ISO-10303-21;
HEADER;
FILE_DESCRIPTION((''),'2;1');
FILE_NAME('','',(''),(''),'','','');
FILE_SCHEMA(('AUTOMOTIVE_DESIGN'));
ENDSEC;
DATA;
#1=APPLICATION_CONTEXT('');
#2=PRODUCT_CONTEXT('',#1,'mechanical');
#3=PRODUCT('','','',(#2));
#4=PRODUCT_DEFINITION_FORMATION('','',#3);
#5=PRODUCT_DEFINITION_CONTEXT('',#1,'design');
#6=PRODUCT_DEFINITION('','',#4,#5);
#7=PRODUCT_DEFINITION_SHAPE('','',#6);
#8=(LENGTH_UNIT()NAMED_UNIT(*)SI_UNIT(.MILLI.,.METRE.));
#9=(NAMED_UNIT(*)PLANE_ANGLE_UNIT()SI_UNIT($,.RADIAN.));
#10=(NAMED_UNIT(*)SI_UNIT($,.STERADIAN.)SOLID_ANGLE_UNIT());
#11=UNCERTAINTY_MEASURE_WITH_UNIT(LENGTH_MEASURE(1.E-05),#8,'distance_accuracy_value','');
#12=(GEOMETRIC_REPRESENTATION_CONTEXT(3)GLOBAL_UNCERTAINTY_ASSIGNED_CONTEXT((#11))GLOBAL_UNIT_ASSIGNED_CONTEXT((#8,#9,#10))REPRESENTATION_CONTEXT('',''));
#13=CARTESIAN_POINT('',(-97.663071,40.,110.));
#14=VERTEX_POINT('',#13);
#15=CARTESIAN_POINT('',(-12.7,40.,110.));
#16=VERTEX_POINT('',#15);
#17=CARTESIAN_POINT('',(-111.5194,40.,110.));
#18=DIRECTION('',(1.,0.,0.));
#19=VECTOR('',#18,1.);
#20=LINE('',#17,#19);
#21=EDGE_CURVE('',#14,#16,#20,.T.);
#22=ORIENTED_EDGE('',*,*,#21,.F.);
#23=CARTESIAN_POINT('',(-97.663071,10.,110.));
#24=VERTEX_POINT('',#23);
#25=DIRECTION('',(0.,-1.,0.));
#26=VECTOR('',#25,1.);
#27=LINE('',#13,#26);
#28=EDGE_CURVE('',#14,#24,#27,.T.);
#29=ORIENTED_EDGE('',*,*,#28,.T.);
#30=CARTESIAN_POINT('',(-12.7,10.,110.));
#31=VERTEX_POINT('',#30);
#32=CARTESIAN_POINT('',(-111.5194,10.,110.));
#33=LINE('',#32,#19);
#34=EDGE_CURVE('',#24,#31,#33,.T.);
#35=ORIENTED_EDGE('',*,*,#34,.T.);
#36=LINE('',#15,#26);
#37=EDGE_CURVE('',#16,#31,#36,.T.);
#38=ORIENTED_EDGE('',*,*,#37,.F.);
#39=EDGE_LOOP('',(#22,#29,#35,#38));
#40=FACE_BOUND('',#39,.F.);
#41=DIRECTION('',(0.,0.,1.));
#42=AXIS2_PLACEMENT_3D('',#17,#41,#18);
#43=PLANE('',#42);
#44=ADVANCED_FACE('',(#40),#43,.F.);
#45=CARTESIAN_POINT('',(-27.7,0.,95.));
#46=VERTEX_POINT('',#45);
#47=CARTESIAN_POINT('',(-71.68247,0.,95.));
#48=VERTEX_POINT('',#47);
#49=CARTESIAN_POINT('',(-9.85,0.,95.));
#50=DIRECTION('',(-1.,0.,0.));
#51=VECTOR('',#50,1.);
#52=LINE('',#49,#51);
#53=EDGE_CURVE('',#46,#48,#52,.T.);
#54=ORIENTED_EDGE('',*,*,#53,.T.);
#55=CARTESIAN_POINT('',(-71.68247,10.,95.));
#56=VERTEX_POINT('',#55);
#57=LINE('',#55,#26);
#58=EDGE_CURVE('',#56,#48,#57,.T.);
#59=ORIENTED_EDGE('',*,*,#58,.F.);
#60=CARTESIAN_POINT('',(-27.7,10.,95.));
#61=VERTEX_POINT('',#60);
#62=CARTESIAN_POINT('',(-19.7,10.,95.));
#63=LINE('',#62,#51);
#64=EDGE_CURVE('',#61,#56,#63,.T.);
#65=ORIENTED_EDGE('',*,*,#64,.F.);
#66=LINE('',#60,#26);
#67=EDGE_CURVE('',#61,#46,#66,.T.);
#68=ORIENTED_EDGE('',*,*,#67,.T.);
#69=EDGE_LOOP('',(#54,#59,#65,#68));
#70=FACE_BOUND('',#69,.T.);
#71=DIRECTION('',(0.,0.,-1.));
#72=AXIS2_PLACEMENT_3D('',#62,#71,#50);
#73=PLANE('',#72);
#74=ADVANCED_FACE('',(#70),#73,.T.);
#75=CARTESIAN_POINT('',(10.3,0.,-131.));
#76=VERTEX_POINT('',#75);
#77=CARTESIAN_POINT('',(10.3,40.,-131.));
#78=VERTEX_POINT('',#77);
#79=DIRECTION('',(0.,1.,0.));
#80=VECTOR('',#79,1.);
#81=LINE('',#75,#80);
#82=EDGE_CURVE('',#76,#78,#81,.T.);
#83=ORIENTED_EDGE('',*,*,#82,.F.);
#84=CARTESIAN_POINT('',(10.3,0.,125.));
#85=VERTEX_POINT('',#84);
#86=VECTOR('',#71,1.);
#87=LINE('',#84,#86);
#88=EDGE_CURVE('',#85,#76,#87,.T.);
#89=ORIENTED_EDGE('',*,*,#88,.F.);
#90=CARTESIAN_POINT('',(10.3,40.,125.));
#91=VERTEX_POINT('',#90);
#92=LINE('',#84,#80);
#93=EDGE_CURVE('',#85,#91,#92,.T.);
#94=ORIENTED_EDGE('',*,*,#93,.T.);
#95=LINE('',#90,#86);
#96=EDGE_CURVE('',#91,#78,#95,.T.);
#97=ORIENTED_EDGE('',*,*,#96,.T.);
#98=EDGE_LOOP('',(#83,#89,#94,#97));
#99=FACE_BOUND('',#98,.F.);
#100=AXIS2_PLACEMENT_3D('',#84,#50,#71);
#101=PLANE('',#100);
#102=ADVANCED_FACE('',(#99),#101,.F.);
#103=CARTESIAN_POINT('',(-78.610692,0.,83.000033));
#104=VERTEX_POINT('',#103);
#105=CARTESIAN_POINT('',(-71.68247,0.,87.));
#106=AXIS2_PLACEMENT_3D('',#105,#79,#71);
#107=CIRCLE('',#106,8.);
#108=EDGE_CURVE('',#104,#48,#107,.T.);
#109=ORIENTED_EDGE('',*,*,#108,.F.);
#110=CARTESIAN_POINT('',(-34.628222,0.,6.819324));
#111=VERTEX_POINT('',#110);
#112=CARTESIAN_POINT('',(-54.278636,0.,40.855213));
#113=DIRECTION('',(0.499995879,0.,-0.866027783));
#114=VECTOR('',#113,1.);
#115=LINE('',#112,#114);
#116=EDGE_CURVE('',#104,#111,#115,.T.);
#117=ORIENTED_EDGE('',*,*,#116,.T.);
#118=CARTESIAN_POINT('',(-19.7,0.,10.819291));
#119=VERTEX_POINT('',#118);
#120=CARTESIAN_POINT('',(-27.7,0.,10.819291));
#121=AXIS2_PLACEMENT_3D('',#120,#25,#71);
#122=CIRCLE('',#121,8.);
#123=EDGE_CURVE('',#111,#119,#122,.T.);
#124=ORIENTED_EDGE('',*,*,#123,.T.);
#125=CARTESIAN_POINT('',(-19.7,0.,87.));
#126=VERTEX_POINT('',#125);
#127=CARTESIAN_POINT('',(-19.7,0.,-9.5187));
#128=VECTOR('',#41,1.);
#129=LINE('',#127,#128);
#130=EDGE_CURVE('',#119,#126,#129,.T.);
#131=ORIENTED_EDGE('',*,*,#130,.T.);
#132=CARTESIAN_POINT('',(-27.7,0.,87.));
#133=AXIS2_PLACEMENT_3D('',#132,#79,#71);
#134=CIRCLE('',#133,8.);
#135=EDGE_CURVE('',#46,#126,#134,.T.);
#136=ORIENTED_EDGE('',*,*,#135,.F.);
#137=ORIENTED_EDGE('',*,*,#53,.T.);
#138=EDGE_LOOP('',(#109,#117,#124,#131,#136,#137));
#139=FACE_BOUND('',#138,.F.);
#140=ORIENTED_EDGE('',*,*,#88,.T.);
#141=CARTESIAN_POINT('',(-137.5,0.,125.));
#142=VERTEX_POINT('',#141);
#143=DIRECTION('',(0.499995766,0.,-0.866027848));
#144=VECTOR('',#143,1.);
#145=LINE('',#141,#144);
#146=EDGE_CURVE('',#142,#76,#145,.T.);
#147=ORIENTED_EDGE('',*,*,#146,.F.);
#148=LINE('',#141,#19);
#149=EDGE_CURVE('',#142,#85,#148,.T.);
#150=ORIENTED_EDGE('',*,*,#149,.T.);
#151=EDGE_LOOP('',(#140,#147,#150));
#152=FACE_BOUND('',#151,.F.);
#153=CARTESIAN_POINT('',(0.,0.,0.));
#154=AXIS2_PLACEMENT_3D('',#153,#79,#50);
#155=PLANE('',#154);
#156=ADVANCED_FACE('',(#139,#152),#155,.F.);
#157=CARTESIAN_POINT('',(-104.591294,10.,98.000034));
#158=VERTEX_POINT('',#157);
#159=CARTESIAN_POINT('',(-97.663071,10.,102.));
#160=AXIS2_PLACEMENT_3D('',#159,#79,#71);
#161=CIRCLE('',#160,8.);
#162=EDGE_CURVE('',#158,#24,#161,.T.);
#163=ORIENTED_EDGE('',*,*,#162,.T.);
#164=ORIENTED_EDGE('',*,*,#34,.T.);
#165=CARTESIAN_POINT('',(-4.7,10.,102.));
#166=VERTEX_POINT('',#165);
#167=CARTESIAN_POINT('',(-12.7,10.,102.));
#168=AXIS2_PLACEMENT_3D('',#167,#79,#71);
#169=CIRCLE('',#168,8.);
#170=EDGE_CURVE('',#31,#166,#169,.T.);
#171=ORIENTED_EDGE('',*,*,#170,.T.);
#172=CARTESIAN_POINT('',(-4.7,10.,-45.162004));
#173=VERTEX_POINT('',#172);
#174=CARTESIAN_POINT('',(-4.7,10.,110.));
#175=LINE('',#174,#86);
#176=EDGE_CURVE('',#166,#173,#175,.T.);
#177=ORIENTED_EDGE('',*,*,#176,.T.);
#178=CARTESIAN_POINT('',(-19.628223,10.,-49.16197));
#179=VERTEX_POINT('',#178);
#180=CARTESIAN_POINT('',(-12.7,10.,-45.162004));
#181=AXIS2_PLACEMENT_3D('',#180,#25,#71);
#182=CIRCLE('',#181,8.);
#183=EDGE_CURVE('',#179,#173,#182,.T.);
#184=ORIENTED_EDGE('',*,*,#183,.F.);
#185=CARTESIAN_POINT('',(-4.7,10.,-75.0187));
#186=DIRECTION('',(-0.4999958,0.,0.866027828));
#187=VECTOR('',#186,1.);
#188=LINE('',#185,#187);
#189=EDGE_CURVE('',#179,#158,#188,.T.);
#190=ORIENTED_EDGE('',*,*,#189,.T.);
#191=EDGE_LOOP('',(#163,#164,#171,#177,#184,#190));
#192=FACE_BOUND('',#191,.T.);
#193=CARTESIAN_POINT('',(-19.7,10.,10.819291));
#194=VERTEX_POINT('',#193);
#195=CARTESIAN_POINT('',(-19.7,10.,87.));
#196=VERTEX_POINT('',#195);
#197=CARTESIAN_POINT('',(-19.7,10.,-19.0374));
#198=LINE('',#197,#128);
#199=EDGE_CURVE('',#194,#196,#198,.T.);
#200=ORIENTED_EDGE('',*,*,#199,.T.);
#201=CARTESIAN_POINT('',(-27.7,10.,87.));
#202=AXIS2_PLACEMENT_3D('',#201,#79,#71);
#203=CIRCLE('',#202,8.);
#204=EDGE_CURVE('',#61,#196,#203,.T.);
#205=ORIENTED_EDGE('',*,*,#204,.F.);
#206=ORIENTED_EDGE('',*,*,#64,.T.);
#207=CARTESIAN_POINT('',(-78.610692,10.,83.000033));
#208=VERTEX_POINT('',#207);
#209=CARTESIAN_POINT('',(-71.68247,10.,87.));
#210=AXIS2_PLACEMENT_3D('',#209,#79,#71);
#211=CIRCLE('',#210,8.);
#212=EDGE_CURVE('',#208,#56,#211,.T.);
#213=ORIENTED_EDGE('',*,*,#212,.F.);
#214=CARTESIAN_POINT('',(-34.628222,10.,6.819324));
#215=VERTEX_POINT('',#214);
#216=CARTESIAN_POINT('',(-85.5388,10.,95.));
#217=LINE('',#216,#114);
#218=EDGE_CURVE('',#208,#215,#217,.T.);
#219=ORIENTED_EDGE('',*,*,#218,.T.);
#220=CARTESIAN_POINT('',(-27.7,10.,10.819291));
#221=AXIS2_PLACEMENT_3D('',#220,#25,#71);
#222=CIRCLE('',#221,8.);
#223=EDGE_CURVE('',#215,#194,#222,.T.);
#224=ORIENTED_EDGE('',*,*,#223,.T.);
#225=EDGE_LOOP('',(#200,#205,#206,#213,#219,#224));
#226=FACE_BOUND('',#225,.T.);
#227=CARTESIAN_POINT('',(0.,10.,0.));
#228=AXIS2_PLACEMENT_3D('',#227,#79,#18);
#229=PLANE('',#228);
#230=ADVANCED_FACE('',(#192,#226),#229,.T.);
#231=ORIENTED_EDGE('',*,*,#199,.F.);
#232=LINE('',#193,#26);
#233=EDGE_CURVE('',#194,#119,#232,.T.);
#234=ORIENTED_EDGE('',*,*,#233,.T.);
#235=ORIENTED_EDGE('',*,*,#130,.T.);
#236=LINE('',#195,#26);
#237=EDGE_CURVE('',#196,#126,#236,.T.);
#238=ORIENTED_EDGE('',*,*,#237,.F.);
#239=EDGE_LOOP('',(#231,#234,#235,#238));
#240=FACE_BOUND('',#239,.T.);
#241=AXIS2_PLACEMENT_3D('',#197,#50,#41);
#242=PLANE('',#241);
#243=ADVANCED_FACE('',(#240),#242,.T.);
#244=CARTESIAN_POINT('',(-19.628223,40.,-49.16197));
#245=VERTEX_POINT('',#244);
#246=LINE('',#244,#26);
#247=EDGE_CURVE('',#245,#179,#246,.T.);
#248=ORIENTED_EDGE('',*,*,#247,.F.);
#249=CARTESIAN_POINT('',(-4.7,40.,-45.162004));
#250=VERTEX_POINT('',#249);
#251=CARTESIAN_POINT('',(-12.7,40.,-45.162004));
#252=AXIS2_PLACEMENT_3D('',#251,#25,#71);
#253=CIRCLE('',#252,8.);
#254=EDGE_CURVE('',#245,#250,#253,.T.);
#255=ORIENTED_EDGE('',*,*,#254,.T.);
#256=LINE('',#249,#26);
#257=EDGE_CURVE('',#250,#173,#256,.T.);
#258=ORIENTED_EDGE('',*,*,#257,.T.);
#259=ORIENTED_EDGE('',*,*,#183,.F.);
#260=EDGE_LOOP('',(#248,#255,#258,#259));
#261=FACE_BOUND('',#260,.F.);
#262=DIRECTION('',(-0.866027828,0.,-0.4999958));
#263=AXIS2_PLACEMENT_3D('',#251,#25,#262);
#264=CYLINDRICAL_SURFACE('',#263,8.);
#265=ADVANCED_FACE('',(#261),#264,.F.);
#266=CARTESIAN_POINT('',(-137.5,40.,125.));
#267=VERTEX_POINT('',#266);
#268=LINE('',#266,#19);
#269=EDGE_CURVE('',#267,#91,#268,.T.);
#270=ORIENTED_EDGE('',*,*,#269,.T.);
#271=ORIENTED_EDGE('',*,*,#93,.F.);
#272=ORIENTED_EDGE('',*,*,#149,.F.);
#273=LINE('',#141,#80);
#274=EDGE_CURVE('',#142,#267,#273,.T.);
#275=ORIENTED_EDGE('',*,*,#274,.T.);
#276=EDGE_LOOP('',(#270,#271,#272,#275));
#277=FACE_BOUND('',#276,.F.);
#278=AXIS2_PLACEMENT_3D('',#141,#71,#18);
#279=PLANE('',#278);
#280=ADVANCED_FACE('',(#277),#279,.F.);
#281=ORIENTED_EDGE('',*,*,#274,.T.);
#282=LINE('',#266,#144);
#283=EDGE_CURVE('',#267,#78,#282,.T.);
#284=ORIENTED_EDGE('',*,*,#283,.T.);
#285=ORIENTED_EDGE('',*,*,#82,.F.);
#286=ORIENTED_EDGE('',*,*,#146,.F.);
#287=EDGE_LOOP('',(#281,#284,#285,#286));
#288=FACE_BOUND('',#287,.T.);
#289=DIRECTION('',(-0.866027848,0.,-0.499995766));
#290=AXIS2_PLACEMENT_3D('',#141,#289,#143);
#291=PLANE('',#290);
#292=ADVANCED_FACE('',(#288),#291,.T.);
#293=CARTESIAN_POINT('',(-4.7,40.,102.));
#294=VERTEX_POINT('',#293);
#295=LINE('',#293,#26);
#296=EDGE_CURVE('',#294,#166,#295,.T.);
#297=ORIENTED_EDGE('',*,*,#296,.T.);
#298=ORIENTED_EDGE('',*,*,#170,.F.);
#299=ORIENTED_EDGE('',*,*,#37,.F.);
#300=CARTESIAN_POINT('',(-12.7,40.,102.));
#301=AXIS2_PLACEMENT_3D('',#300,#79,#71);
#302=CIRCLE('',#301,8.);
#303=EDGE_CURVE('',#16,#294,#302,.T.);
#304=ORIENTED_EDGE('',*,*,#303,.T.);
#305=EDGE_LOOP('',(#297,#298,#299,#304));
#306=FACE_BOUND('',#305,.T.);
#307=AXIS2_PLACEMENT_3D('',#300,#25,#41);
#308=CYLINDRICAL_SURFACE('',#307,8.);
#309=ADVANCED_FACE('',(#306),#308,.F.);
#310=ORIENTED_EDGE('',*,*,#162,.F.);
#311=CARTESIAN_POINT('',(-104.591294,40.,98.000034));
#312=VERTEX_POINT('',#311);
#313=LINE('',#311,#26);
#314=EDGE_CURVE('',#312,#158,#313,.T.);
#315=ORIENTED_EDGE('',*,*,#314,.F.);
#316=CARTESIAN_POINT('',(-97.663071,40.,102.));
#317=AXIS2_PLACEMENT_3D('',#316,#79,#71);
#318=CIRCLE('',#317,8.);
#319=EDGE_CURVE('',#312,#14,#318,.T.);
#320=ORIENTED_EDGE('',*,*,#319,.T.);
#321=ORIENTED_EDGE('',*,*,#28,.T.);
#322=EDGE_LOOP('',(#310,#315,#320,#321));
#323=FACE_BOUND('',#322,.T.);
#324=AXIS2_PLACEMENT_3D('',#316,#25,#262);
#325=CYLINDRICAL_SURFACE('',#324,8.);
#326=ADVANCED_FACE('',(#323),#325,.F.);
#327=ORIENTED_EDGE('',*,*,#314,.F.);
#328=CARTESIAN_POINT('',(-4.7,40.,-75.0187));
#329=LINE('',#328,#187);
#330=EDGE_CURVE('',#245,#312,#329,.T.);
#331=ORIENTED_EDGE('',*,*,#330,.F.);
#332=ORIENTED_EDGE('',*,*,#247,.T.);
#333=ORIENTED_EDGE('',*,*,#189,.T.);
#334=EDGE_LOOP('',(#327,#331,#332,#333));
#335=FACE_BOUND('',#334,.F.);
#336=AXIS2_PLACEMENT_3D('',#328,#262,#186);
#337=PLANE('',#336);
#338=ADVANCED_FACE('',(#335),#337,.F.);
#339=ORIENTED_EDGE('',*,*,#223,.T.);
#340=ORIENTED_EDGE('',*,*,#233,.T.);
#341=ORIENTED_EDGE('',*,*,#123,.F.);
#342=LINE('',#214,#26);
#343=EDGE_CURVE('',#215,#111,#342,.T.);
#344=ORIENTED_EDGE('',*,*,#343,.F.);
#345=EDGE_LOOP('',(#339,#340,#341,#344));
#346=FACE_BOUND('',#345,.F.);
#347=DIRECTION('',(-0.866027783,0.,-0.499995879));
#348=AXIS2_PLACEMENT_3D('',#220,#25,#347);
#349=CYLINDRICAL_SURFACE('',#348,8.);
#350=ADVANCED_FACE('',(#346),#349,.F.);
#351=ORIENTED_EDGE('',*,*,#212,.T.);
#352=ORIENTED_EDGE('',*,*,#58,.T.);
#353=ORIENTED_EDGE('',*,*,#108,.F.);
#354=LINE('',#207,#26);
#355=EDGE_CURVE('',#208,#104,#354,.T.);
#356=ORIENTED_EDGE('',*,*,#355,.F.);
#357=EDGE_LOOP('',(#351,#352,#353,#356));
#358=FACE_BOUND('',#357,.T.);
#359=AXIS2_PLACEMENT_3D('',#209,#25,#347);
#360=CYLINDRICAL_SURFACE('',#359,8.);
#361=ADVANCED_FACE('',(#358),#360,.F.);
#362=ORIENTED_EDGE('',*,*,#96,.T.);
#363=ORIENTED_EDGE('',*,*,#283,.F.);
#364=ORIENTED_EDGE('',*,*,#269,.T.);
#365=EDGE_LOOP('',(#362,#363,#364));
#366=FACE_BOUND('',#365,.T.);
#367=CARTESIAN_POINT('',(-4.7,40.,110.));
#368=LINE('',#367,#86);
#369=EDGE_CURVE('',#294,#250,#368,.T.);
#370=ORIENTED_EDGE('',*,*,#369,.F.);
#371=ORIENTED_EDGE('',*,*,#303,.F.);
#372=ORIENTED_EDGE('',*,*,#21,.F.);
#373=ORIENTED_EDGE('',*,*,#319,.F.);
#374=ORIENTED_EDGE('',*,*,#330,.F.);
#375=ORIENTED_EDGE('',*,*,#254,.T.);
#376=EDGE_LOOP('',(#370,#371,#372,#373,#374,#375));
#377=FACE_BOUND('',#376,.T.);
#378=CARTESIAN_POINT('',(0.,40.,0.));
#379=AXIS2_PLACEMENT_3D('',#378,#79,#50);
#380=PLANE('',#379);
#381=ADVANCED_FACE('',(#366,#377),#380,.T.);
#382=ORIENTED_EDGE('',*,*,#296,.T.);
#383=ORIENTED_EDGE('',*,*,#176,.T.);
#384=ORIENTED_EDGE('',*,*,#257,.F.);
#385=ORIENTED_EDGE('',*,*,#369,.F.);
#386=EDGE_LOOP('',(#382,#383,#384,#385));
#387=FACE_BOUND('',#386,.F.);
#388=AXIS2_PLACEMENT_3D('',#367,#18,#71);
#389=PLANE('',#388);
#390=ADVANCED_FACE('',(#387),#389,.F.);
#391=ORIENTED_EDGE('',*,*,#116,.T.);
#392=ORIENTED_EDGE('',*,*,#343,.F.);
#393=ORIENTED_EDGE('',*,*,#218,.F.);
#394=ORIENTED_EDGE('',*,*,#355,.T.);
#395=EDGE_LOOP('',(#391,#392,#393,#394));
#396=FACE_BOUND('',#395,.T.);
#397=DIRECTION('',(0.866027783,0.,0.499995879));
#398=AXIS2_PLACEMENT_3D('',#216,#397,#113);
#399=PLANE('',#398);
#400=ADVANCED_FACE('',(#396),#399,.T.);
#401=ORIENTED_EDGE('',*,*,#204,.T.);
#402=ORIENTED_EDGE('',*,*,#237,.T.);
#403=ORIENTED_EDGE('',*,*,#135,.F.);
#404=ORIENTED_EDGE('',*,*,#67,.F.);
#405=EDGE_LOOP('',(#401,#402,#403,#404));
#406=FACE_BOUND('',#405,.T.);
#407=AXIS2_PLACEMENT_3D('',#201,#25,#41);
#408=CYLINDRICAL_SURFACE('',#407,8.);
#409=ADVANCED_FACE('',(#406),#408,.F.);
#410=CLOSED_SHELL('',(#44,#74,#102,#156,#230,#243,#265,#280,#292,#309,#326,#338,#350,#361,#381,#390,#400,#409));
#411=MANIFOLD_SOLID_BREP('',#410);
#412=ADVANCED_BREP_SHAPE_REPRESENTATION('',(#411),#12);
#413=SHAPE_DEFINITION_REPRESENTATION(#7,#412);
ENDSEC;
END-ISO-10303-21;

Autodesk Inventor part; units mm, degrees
ref_plane "YZ Plane" through (0, 0, 0) normal (1, 0, 0) x (0, 1, 0)
ref_plane "XZ Plane" through (0, 0, 0) normal (0, 1, 0) x (-1, 0, 0)
ref_plane "XY Plane" through (0, 0, 0) normal (0, 0, 1) x (1, 0, 0)
sketch "Sketch1" plane through (0, 0, 0) normal (0, 1, 0) x (-1, 0, 0)
  line L0 (137.5, 125) -> (-10.3, 125)
  line L1 (-10.3, 125) -> (-10.3, -131)
  line L2 (-10.3, -131) -> (137.5, -131)
  line L3 (137.5, -131) -> (137.5, 125)
  line L4 (137.5, 125) -> (-10.3, -131)
  point P0 (0, 0)
  dimension "d0" = 256
  dimension "d1" = 147.8
  dimension "d7" = 30
extrude "Extrusion1" add sketch "Sketch1" along normal blind 40 contours L4 L1 L0
sketch "Sketch2" plane through (0, 40, 0) normal (0, 1, 0) x (1, 0, 0)
  line L0 (-137.5, -125) -> (10.3, -125) construction
  line L1 (10.3, -125) -> (10.3, 131) construction
  line L2 (10.3, 131) -> (-137.5, -125) construction
  line L3 (-137.5, -125) -> (10.3, -125) construction
  line L4 (10.3, -125) -> (10.3, 131) construction
  line L5 (10.3, 131) -> (-137.5, -125) construction
  line L6 (-111.5194, -110) -> (-4.7, -110)
  line L7 (-4.7, -110) -> (-4.7, 75.0187)
  line L8 (-4.7, 75.0187) -> (-111.5194, -110)
  point P0 (0, 0)
  dimension "d4" = 15
extrude "Extrusion2" cut sketch "Sketch2" against normal blind 30
sketch "Sketch3" plane through (0, 10, 0) normal (0, 1, 0) x (1, 0, 0)
  line L0 (-4.7, 75.0187) -> (-4.7, -110) construction
  line L1 (-111.5194, -110) -> (-4.7, 75.0187) construction
  line L2 (-4.7, -110) -> (-111.5194, -110) construction
  point P0 (0, 0)
sketch "Sketch4" plane through (0, 10, 0) normal (0, 1, 0) x (1, 0, 0)
  line L0 (-4.7, 75.0187) -> (-4.7, -110) construction
  line L1 (-111.5194, -110) -> (-4.7, 75.0187) construction
  line L2 (-4.7, -110) -> (-111.5194, -110) construction
  line L3 (-4.7, 75.0187) -> (-4.7, -110) construction
  line L4 (-111.5194, -110) -> (-4.7, 75.0187) construction
  line L5 (-4.7, -110) -> (-111.5194, -110) construction
  line L6 (-19.7, 19.0374) -> (-19.7, -95)
  line L7 (-19.7, -95) -> (-85.5388, -95)
  line L8 (-85.5388, -95) -> (-19.7, 19.0374)
  point P0 (0, 0)
  dimension "d9" = 15
extrude "Extrusion3" cut sketch "Sketch4" against normal blind 30
fillet "Fillet2" radius 8 6 edges at (-4.7, 25, -75.0187) (-111.5194, 25, 110) (-4.7, 25, 110) (-19.7, 5, 95) (-85.5388, 5, 95) (-19.7, 5, -19.0374)
properties part number "StaninaOpora.iam" material "Aluminum 6061"
